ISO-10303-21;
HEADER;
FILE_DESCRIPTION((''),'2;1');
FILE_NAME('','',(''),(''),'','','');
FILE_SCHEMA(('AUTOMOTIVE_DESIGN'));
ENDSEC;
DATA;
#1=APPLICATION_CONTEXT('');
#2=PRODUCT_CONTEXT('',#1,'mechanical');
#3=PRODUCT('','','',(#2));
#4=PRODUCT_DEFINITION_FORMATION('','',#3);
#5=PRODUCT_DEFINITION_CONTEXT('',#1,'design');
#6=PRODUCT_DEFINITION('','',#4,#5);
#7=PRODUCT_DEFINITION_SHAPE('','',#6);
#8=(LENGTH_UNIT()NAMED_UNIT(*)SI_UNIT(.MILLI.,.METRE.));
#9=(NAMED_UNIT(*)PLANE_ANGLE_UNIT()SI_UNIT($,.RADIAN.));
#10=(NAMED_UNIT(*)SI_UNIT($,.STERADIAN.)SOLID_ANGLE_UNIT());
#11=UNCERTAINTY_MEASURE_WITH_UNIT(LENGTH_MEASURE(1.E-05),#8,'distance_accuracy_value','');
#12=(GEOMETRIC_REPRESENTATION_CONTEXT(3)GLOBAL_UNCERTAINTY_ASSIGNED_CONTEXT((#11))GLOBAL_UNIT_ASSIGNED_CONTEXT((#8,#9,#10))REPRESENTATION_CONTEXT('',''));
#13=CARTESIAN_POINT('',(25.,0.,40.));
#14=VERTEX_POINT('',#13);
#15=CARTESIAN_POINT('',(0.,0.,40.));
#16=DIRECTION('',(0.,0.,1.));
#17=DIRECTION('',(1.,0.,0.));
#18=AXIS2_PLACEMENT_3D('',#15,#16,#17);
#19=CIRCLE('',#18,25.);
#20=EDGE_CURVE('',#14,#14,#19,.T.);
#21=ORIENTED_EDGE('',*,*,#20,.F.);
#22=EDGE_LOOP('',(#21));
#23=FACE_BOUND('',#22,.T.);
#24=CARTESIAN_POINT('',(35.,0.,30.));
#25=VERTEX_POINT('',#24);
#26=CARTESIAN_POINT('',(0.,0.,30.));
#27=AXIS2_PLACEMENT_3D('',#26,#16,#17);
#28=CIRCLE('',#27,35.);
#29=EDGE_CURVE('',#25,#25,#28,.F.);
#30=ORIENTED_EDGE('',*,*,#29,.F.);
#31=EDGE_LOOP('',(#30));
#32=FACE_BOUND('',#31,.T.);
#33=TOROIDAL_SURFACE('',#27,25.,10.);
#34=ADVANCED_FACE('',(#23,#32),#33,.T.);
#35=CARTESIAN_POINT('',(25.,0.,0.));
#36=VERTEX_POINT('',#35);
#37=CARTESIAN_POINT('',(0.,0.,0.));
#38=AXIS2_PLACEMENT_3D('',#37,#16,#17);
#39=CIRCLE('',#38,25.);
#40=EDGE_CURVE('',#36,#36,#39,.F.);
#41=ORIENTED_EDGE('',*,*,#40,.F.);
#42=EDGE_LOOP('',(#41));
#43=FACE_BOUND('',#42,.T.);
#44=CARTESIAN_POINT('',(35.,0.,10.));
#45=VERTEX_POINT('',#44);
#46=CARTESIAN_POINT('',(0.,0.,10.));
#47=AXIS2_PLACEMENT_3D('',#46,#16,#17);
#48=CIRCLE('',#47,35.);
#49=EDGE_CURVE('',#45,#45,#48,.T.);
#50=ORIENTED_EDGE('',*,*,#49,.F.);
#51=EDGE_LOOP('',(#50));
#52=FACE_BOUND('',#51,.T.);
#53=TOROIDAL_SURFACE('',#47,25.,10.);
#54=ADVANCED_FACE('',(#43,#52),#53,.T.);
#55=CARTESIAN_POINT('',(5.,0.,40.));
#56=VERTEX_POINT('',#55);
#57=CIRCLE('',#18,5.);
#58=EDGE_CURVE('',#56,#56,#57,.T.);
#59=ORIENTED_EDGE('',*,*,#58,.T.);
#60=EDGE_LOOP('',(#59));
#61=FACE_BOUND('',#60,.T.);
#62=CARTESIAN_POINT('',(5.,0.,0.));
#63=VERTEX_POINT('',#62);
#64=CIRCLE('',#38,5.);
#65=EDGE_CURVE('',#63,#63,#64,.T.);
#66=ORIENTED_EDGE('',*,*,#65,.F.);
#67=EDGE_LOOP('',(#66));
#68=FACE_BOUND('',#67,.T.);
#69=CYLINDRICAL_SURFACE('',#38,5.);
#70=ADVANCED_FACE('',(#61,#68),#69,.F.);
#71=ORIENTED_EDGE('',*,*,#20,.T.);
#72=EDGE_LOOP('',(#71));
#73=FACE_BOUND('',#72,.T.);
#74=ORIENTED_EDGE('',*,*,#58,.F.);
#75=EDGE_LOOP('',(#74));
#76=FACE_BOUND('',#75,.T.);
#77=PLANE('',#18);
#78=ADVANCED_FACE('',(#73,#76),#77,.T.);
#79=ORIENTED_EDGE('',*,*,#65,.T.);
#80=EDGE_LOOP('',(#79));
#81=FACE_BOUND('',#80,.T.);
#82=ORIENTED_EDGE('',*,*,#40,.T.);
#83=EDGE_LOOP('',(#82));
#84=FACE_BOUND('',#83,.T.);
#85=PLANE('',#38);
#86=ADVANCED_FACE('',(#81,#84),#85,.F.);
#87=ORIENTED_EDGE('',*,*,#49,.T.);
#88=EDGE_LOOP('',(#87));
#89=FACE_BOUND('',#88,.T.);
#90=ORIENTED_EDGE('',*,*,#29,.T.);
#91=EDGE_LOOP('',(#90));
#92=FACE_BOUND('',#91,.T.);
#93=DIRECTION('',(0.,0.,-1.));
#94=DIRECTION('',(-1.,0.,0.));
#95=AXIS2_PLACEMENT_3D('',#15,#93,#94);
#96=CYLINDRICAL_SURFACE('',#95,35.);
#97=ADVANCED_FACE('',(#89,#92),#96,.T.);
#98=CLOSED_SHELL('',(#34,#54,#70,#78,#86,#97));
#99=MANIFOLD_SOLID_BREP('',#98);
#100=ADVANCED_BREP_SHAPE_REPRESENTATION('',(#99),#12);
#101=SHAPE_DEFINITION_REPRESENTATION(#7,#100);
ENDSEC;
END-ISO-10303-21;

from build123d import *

# Parameters (mm, degrees)
SKETCH1_R           = 35
BOSS_EXTRUDE1_DEPTH = 40
FILLET1_R           = 10
SKETCH2_R           = 5
CUT_EXTRUDE1_DEPTH  = 40


with BuildPart() as part:
    # Sketch1 → Boss-Extrude1 (new body)
    with BuildSketch(Plane.XY):
        Circle(SKETCH1_R)
    extrude(amount=BOSS_EXTRUDE1_DEPTH)

    # Fillet1
    fillet1_edges = [part.edges().sort_by_distance(p)[0] for p in [
        (-35, 0, 0),
        (-35, 0, 40),
    ]]
    fillet(fillet1_edges, radius=FILLET1_R)

    # Sketch2 → Cut-Extrude1 (cut)
    with BuildSketch(Plane.XY.offset(40)):
        Circle(SKETCH2_R)
    extrude(amount=-CUT_EXTRUDE1_DEPTH, mode=Mode.SUBTRACT)


solid = part.part
